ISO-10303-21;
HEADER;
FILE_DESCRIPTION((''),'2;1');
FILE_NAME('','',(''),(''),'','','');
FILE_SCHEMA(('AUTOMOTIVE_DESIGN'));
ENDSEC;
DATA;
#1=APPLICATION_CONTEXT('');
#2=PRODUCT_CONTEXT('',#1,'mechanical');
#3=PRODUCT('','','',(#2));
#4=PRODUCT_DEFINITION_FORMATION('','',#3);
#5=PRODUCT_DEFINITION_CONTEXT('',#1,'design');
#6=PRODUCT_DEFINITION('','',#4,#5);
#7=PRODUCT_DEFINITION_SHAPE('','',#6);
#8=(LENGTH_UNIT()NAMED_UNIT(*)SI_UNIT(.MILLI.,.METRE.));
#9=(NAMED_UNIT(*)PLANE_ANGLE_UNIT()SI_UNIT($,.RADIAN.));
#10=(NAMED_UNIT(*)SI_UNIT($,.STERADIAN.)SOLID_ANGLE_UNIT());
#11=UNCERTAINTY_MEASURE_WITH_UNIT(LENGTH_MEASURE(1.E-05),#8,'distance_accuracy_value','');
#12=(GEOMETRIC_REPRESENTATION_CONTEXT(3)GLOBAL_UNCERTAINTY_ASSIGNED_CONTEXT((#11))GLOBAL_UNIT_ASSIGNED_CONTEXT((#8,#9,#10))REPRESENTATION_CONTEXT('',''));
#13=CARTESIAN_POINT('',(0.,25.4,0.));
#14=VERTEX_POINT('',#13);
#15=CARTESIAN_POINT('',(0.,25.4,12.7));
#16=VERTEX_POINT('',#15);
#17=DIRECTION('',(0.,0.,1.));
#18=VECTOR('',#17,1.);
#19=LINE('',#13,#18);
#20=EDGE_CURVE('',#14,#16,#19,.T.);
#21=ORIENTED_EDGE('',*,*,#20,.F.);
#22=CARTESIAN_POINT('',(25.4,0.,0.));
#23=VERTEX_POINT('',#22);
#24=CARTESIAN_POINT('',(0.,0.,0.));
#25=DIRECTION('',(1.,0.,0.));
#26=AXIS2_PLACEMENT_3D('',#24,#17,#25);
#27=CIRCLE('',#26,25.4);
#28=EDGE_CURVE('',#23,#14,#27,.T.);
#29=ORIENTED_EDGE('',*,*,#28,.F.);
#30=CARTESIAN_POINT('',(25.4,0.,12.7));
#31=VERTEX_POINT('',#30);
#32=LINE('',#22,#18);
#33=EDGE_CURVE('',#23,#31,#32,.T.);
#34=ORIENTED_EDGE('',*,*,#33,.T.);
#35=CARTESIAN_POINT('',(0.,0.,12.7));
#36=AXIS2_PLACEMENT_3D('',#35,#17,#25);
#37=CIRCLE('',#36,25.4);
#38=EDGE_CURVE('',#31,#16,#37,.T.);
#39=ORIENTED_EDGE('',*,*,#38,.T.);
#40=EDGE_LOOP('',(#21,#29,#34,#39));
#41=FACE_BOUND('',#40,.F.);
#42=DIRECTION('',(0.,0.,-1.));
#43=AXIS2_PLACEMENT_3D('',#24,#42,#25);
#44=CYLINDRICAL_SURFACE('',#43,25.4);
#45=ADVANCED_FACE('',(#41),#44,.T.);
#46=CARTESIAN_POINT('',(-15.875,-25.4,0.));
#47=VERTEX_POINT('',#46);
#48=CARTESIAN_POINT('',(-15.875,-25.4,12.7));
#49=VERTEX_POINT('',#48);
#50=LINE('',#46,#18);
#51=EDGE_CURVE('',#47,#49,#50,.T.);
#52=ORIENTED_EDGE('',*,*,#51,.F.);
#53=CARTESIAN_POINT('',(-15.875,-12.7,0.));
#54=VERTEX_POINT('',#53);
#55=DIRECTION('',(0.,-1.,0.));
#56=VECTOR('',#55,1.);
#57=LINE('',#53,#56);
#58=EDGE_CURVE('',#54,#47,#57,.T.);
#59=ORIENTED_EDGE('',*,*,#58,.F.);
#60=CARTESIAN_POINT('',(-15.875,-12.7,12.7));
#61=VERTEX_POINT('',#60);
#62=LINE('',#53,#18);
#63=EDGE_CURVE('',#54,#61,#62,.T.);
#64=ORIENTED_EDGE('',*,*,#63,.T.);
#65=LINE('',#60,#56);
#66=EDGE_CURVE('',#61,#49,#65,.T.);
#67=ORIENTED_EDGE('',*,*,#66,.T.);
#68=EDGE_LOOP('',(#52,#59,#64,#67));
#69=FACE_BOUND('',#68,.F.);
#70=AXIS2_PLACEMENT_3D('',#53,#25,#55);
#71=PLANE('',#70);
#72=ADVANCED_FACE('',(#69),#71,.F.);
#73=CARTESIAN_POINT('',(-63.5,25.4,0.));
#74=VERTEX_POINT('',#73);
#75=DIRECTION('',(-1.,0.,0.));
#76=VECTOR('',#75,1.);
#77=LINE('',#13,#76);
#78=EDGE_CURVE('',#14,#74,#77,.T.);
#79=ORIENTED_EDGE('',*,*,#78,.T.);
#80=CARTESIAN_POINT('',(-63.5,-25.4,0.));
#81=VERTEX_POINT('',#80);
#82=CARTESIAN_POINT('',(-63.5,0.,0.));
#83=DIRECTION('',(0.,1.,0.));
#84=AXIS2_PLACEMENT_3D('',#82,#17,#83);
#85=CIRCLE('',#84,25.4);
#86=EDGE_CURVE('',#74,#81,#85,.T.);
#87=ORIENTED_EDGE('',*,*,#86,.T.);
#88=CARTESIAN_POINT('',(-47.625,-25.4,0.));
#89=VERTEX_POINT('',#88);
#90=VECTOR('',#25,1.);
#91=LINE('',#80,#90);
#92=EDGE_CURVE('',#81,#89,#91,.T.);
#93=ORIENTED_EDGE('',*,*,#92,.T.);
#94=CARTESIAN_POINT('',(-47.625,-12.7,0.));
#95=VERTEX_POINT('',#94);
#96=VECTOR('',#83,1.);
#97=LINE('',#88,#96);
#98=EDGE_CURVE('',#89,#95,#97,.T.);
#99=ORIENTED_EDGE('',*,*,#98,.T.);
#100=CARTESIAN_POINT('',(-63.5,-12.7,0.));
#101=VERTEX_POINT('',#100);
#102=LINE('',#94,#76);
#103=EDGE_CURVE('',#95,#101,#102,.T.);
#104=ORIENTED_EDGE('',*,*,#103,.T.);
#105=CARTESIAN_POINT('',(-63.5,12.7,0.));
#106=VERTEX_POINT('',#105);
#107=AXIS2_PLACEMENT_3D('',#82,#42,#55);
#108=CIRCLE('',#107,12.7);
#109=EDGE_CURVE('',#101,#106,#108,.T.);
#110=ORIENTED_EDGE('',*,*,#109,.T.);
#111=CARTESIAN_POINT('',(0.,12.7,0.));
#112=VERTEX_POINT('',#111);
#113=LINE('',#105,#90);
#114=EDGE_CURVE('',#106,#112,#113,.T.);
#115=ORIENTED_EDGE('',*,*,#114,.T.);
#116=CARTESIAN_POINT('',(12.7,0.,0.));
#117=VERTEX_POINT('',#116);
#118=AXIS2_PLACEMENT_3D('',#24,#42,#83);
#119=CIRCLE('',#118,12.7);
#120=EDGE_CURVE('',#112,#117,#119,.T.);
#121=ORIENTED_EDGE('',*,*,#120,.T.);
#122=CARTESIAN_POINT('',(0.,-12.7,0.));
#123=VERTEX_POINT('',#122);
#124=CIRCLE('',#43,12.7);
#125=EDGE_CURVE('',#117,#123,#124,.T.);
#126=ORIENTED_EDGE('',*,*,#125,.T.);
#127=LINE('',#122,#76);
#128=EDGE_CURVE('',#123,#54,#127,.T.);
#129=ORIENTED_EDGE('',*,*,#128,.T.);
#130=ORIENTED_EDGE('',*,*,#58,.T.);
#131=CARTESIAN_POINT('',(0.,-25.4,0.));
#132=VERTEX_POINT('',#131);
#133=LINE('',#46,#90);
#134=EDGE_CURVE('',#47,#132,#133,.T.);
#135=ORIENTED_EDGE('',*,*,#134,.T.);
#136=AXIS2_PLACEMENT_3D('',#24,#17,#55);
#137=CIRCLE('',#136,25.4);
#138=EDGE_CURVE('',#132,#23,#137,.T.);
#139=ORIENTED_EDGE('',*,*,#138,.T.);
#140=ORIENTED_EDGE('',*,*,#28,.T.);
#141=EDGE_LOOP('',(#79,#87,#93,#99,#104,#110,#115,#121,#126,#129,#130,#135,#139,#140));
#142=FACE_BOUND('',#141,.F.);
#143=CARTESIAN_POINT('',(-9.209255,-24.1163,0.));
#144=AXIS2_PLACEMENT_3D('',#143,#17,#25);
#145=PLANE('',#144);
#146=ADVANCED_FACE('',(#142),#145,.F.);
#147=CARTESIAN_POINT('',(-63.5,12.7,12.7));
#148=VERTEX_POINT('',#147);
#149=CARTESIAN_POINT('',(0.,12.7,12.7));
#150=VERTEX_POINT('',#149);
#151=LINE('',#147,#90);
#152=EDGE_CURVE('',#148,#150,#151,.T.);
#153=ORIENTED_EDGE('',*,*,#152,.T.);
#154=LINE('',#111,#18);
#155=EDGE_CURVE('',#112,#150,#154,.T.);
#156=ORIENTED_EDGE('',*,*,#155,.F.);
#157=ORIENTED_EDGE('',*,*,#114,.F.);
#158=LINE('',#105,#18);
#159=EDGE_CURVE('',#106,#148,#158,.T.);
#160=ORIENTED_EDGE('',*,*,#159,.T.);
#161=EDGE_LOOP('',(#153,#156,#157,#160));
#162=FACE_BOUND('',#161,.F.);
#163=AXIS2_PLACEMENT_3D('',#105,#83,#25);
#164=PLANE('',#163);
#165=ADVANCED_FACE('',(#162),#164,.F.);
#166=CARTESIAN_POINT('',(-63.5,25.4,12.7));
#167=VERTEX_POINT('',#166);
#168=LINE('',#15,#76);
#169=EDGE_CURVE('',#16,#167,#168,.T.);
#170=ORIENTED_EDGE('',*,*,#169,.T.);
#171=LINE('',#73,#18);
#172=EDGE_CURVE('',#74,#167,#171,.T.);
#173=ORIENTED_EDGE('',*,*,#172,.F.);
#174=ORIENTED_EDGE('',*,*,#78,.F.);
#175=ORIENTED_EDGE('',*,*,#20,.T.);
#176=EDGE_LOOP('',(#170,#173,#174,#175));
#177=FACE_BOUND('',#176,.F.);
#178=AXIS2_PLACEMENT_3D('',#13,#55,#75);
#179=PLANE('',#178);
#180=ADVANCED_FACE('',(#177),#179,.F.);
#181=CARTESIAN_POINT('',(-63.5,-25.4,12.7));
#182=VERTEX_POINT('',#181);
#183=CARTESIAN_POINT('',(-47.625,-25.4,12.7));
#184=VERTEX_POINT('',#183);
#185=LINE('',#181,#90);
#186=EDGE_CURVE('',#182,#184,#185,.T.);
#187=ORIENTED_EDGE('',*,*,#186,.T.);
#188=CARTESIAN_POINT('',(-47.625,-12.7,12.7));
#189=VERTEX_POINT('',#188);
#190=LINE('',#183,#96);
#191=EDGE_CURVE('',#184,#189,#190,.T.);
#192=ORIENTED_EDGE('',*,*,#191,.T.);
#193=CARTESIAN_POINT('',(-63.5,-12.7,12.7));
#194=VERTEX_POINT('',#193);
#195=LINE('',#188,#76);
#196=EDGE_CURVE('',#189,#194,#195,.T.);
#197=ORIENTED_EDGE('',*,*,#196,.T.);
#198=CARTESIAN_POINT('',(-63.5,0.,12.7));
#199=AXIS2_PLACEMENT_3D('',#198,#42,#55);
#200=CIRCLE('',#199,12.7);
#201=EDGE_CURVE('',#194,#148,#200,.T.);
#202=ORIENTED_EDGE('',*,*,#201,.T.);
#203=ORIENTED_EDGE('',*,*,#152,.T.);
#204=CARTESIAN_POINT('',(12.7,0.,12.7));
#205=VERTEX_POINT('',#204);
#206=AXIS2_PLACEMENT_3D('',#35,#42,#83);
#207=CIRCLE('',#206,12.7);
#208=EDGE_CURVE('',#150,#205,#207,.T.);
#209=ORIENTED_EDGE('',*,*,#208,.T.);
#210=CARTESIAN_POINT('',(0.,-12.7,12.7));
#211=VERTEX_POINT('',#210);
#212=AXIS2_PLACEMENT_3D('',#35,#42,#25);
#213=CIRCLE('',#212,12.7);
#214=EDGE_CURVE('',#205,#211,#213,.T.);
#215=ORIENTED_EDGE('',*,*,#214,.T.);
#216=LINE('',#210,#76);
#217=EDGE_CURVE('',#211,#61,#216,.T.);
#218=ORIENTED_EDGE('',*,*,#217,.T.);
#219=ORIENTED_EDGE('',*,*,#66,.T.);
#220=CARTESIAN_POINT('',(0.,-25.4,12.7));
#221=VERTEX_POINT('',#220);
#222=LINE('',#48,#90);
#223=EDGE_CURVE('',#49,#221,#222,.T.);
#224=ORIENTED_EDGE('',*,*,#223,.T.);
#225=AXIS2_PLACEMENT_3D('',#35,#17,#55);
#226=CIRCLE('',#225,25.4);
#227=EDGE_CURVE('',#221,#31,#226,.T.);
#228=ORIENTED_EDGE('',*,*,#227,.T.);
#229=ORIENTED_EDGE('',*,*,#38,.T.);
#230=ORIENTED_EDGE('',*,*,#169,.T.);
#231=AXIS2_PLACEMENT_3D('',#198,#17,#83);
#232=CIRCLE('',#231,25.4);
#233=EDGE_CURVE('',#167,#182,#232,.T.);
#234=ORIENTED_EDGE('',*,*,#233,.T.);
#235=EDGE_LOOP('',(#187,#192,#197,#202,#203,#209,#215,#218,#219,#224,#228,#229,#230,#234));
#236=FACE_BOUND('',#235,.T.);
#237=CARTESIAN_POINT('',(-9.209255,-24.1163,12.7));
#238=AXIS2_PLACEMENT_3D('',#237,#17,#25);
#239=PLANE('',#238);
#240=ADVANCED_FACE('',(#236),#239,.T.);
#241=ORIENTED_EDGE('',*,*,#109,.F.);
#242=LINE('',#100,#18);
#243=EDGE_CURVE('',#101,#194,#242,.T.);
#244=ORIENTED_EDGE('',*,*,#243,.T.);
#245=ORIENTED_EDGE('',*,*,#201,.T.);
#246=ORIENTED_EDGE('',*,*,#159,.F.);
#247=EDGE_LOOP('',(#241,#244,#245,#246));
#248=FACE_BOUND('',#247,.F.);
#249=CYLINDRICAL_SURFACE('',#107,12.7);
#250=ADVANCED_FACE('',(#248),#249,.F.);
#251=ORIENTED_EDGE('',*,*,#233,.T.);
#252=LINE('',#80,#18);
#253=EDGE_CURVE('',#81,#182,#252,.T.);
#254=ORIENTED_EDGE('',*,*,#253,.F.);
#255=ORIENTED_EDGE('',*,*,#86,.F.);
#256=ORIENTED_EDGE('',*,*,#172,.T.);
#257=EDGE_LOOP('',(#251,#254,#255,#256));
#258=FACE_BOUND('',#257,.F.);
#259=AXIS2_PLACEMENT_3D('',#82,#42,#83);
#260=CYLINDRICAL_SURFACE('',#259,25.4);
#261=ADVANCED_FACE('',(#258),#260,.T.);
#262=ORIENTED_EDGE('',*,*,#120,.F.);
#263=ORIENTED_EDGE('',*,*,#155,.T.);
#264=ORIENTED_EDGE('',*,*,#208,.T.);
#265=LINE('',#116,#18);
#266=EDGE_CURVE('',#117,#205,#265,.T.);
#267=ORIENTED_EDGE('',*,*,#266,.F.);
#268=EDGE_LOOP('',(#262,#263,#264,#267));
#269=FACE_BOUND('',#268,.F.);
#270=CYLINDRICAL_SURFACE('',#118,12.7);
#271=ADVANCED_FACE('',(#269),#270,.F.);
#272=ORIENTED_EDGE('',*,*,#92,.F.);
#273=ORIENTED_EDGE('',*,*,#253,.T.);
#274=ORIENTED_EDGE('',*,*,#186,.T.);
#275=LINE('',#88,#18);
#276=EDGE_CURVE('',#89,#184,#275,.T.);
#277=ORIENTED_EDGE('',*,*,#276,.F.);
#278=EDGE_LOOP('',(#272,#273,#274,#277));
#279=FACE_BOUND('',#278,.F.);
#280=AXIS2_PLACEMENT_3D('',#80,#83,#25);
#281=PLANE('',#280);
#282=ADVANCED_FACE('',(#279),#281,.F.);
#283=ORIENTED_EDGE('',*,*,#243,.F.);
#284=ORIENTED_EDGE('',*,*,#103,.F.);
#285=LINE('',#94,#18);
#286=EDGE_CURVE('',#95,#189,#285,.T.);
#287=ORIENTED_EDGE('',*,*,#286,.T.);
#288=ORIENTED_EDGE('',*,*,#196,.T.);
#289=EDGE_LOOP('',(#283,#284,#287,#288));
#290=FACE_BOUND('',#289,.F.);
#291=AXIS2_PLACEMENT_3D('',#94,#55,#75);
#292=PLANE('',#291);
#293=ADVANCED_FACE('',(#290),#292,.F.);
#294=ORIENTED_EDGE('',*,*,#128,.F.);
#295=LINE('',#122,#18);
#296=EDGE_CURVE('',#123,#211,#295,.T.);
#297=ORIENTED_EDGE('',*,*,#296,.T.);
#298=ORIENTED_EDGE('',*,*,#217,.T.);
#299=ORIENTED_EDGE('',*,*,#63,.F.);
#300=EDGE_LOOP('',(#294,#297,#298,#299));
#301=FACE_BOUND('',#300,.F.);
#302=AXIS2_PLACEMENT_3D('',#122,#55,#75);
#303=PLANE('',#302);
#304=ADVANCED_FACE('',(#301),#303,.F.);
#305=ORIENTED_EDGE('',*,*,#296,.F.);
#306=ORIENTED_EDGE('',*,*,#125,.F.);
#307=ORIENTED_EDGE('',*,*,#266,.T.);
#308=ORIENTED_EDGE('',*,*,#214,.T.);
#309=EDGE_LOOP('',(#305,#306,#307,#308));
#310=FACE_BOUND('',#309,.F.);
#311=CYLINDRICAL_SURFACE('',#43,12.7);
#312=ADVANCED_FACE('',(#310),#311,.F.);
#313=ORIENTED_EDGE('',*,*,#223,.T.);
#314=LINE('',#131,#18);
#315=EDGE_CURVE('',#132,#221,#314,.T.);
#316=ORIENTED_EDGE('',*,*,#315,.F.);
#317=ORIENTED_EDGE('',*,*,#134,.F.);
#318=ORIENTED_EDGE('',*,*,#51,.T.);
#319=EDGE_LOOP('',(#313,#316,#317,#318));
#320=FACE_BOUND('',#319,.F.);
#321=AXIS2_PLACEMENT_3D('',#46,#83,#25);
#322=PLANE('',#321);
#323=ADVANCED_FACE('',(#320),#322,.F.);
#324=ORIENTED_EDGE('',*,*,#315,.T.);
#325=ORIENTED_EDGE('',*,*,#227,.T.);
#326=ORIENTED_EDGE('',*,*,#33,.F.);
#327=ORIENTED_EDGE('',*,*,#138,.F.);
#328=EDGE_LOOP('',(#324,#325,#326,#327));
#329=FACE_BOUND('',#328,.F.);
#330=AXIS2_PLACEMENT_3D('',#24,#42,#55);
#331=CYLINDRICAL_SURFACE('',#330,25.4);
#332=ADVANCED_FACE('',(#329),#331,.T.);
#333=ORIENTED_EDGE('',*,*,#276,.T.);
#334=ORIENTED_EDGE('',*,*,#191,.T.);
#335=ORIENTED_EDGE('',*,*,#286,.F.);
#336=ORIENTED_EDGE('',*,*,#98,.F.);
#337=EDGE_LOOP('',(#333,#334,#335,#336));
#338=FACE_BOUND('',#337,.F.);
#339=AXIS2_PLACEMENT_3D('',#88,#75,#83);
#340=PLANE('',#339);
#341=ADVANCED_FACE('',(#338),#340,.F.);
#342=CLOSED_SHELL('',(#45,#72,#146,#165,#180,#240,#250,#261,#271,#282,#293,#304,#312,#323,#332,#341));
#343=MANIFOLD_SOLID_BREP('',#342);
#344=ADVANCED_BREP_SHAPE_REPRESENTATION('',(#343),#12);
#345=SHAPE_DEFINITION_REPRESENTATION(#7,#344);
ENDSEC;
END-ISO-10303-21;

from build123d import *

# Parameters (mm, degrees)
F1_DEPTH = 12.7


with BuildPart() as f1:
    # F0 (on Top) → F1 (new body)
    with BuildSketch(Plane.XY):
        with BuildLine():
            ThreePointArc((0, -25.4), (-8.4122570223, -23.966516889), (-15.875, -19.8278686449))
            Line((-15.875, -19.8278686449), (-15.875, -25.4))
            Line((-15.875, -25.4), (0, -25.4))
        make_face()
        with BuildLine():
            Line((-21.9970452561, 12.7), (0, 12.7))
            ThreePointArc((0, 12.7), (8.9802561211, 8.9802561211), (12.7, 0))
            ThreePointArc((12.7, 0), (8.9802561211, -8.9802561211), (0, -12.7))
            Line((0, -12.7), (-15.875, -12.7))
            Line((-15.875, -12.7), (-15.875, -19.05))
            Line((-15.875, -19.05), (-15.875, -19.8278686449))
            ThreePointArc((-15.875, -19.8278686449), (-8.4122570223, -23.966516889), (0, -25.4))
            ThreePointArc((0, -25.4), (17.9605122421, -17.9605122421), (25.4, 0))
            ThreePointArc((25.4, 0), (17.9605122421, 17.9605122421), (0, 25.4))
            ThreePointArc((0, 25.4), (-12.7, 21.9970452561), (-21.9970452561, 12.7))
        make_face()
        with BuildLine():
            Line((-41.5029547439, 12.7), (-21.9970452561, 12.7))
            ThreePointArc((-21.9970452561, 12.7), (-12.7, 21.9970452561), (0, 25.4))
            Line((0, 25.4), (-63.5, 25.4))
            ThreePointArc((-63.5, 25.4), (-50.8, 21.9970452561), (-41.5029547439, 12.7))
        make_face()
        with BuildLine():
            Line((-63.5, 12.7), (-41.5029547439, 12.7))
            ThreePointArc((-41.5029547439, 12.7), (-50.8, 21.9970452561), (-63.5, 25.4))
            ThreePointArc((-63.5, 25.4), (-88.9, 0), (-63.5, -25.4))
            ThreePointArc((-63.5, -25.4), (-55.0877429777, -23.966516889), (-47.625, -19.8278686449))
            Line((-47.625, -19.8278686449), (-47.625, -19.05))
            Line((-47.625, -19.05), (-47.625, -12.7))
            Line((-47.625, -12.7), (-63.5, -12.7))
            ThreePointArc((-63.5, -12.7), (-76.2, 0), (-63.5, 12.7))
        make_face()
        with BuildLine():
            ThreePointArc((-47.625, -19.8278686449), (-55.0877429777, -23.966516889), (-63.5, -25.4))
            Line((-63.5, -25.4), (-47.625, -25.4))
            Line((-47.625, -25.4), (-47.625, -19.8278686449))
        make_face()
    extrude(amount=F1_DEPTH)


solid = f1.part
